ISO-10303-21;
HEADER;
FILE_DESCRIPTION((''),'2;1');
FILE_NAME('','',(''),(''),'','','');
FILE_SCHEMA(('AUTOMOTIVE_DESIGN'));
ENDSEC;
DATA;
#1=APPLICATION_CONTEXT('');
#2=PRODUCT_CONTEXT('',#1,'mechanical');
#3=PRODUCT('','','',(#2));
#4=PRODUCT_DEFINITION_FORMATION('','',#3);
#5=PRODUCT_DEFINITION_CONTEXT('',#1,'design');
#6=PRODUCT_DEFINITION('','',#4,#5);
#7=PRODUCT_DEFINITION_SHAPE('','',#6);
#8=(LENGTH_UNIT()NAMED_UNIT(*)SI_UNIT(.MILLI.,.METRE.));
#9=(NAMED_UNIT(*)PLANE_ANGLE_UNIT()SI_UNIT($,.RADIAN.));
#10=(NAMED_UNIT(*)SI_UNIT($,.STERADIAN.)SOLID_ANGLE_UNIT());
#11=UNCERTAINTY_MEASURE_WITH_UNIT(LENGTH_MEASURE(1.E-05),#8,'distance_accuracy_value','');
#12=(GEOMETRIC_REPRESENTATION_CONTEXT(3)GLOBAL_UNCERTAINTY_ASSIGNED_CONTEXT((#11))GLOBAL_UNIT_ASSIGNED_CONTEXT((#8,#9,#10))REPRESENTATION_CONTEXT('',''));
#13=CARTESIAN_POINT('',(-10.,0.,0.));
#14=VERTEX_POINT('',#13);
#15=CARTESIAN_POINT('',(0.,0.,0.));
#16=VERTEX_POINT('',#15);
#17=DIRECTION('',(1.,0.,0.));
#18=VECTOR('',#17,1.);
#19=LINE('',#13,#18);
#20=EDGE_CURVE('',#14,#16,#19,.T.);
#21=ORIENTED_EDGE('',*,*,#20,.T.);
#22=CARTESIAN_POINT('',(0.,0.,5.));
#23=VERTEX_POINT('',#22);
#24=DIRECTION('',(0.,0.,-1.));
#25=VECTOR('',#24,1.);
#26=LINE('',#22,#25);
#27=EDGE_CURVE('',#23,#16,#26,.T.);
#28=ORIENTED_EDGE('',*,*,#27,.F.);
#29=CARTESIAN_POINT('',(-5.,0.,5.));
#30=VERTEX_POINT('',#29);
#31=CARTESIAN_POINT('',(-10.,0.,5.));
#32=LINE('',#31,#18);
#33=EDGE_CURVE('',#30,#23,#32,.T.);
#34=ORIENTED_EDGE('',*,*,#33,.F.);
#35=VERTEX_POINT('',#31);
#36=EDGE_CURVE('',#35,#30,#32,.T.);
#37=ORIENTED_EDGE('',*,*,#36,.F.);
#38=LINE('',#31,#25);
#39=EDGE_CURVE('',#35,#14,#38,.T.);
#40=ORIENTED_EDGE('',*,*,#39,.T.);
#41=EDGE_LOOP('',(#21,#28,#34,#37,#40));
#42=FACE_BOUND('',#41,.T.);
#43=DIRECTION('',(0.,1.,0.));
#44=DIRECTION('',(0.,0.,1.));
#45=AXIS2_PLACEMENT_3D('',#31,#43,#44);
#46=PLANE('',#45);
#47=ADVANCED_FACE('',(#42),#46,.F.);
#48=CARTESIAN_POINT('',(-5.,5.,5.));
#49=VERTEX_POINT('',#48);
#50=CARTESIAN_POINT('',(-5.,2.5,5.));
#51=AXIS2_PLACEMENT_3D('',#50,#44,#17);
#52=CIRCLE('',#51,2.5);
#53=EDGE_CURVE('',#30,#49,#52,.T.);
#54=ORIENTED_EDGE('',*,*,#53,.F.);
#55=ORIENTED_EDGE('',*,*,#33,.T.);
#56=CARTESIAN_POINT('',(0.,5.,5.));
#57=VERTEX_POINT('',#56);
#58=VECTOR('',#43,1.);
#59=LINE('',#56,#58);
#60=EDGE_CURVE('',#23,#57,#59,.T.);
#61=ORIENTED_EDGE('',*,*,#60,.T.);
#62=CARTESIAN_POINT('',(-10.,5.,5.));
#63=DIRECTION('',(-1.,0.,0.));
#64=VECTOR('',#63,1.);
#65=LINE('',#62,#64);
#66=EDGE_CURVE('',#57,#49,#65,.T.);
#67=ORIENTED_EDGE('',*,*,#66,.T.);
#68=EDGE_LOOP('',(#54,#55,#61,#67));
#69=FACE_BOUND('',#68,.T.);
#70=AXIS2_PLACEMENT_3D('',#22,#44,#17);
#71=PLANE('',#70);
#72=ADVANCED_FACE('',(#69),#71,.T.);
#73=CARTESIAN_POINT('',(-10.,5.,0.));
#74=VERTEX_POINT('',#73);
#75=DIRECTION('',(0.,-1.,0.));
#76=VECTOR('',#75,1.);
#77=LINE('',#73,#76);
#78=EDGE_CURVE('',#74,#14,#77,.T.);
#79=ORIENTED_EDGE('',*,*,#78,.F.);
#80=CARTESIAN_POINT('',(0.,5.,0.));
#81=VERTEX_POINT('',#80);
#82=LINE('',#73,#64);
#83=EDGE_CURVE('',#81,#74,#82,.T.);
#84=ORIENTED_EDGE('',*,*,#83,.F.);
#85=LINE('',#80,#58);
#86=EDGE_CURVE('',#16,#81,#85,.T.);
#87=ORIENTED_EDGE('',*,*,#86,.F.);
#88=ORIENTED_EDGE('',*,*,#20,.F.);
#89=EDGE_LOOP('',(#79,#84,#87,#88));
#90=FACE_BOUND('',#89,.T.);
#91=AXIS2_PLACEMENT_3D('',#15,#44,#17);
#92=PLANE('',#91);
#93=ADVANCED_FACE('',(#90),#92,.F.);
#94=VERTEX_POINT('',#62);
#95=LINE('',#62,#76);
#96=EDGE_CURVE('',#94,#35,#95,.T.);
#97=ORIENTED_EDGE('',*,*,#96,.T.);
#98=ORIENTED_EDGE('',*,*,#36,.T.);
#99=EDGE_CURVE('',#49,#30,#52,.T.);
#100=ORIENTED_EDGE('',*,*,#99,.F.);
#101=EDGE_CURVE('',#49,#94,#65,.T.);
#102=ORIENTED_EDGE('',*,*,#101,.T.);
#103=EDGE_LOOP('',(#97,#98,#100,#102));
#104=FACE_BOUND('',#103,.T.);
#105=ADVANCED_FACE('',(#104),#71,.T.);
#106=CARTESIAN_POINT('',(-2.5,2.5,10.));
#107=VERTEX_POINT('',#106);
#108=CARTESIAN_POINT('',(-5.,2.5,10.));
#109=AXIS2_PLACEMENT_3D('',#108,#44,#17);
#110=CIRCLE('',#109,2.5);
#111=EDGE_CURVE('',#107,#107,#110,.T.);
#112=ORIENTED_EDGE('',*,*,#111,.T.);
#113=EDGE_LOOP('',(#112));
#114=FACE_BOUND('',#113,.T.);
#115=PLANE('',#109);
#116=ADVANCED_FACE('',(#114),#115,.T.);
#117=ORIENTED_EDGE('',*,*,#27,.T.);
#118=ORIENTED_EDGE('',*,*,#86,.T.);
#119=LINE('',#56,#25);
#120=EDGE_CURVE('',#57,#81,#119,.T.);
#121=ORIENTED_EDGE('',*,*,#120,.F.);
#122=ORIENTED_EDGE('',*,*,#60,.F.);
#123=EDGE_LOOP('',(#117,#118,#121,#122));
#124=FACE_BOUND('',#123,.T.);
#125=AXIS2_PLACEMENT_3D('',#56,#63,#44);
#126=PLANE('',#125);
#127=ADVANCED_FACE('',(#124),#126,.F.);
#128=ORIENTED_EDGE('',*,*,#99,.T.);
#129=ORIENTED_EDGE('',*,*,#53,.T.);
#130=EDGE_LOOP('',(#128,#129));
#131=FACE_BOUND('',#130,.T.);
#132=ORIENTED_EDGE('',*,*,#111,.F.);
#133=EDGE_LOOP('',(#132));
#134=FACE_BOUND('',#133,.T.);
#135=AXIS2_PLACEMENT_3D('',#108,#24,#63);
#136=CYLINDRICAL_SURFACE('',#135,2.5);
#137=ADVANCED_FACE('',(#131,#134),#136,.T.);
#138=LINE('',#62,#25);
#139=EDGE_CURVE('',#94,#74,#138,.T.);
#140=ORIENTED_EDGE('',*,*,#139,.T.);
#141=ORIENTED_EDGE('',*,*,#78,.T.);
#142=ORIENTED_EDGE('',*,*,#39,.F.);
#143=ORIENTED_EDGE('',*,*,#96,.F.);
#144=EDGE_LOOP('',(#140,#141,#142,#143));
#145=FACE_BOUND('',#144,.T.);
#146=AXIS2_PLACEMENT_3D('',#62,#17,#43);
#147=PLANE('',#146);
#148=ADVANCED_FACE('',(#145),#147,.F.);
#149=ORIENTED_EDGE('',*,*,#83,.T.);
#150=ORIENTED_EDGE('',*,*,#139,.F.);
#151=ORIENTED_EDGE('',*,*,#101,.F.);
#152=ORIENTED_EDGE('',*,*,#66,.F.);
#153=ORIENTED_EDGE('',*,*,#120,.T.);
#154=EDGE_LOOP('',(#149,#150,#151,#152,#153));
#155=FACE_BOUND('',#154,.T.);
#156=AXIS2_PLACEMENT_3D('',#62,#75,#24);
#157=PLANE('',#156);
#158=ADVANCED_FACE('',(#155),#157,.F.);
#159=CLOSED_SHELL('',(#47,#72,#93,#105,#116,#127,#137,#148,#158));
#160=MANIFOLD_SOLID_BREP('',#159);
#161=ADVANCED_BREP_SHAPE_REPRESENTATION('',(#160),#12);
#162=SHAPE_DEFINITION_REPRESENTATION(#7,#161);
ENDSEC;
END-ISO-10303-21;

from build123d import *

# Parameters (mm, degrees)
SKETCH1_W           = 10
SKETCH1_H           = 5
BOSS_EXTRUDE1_DEPTH = 5
SKETCH2_R           = 2.5
BOSS_EXTRUDE2_DEPTH = 5


with BuildPart() as part:
    # Sketch1 → Boss-Extrude1 (new body)
    with BuildSketch(Plane.XY):
        with Locations((-5, 2.5)):
            Rectangle(SKETCH1_W, SKETCH1_H)
    extrude(amount=BOSS_EXTRUDE1_DEPTH)

    # Sketch2 → Boss-Extrude2 (add)
    with BuildSketch(Plane.XY.offset(5)):
        with Locations(Location((-5, 2.5, 0), (0, 0, 270))):
            Circle(SKETCH2_R)
    extrude(amount=BOSS_EXTRUDE2_DEPTH)


solid = part.part
